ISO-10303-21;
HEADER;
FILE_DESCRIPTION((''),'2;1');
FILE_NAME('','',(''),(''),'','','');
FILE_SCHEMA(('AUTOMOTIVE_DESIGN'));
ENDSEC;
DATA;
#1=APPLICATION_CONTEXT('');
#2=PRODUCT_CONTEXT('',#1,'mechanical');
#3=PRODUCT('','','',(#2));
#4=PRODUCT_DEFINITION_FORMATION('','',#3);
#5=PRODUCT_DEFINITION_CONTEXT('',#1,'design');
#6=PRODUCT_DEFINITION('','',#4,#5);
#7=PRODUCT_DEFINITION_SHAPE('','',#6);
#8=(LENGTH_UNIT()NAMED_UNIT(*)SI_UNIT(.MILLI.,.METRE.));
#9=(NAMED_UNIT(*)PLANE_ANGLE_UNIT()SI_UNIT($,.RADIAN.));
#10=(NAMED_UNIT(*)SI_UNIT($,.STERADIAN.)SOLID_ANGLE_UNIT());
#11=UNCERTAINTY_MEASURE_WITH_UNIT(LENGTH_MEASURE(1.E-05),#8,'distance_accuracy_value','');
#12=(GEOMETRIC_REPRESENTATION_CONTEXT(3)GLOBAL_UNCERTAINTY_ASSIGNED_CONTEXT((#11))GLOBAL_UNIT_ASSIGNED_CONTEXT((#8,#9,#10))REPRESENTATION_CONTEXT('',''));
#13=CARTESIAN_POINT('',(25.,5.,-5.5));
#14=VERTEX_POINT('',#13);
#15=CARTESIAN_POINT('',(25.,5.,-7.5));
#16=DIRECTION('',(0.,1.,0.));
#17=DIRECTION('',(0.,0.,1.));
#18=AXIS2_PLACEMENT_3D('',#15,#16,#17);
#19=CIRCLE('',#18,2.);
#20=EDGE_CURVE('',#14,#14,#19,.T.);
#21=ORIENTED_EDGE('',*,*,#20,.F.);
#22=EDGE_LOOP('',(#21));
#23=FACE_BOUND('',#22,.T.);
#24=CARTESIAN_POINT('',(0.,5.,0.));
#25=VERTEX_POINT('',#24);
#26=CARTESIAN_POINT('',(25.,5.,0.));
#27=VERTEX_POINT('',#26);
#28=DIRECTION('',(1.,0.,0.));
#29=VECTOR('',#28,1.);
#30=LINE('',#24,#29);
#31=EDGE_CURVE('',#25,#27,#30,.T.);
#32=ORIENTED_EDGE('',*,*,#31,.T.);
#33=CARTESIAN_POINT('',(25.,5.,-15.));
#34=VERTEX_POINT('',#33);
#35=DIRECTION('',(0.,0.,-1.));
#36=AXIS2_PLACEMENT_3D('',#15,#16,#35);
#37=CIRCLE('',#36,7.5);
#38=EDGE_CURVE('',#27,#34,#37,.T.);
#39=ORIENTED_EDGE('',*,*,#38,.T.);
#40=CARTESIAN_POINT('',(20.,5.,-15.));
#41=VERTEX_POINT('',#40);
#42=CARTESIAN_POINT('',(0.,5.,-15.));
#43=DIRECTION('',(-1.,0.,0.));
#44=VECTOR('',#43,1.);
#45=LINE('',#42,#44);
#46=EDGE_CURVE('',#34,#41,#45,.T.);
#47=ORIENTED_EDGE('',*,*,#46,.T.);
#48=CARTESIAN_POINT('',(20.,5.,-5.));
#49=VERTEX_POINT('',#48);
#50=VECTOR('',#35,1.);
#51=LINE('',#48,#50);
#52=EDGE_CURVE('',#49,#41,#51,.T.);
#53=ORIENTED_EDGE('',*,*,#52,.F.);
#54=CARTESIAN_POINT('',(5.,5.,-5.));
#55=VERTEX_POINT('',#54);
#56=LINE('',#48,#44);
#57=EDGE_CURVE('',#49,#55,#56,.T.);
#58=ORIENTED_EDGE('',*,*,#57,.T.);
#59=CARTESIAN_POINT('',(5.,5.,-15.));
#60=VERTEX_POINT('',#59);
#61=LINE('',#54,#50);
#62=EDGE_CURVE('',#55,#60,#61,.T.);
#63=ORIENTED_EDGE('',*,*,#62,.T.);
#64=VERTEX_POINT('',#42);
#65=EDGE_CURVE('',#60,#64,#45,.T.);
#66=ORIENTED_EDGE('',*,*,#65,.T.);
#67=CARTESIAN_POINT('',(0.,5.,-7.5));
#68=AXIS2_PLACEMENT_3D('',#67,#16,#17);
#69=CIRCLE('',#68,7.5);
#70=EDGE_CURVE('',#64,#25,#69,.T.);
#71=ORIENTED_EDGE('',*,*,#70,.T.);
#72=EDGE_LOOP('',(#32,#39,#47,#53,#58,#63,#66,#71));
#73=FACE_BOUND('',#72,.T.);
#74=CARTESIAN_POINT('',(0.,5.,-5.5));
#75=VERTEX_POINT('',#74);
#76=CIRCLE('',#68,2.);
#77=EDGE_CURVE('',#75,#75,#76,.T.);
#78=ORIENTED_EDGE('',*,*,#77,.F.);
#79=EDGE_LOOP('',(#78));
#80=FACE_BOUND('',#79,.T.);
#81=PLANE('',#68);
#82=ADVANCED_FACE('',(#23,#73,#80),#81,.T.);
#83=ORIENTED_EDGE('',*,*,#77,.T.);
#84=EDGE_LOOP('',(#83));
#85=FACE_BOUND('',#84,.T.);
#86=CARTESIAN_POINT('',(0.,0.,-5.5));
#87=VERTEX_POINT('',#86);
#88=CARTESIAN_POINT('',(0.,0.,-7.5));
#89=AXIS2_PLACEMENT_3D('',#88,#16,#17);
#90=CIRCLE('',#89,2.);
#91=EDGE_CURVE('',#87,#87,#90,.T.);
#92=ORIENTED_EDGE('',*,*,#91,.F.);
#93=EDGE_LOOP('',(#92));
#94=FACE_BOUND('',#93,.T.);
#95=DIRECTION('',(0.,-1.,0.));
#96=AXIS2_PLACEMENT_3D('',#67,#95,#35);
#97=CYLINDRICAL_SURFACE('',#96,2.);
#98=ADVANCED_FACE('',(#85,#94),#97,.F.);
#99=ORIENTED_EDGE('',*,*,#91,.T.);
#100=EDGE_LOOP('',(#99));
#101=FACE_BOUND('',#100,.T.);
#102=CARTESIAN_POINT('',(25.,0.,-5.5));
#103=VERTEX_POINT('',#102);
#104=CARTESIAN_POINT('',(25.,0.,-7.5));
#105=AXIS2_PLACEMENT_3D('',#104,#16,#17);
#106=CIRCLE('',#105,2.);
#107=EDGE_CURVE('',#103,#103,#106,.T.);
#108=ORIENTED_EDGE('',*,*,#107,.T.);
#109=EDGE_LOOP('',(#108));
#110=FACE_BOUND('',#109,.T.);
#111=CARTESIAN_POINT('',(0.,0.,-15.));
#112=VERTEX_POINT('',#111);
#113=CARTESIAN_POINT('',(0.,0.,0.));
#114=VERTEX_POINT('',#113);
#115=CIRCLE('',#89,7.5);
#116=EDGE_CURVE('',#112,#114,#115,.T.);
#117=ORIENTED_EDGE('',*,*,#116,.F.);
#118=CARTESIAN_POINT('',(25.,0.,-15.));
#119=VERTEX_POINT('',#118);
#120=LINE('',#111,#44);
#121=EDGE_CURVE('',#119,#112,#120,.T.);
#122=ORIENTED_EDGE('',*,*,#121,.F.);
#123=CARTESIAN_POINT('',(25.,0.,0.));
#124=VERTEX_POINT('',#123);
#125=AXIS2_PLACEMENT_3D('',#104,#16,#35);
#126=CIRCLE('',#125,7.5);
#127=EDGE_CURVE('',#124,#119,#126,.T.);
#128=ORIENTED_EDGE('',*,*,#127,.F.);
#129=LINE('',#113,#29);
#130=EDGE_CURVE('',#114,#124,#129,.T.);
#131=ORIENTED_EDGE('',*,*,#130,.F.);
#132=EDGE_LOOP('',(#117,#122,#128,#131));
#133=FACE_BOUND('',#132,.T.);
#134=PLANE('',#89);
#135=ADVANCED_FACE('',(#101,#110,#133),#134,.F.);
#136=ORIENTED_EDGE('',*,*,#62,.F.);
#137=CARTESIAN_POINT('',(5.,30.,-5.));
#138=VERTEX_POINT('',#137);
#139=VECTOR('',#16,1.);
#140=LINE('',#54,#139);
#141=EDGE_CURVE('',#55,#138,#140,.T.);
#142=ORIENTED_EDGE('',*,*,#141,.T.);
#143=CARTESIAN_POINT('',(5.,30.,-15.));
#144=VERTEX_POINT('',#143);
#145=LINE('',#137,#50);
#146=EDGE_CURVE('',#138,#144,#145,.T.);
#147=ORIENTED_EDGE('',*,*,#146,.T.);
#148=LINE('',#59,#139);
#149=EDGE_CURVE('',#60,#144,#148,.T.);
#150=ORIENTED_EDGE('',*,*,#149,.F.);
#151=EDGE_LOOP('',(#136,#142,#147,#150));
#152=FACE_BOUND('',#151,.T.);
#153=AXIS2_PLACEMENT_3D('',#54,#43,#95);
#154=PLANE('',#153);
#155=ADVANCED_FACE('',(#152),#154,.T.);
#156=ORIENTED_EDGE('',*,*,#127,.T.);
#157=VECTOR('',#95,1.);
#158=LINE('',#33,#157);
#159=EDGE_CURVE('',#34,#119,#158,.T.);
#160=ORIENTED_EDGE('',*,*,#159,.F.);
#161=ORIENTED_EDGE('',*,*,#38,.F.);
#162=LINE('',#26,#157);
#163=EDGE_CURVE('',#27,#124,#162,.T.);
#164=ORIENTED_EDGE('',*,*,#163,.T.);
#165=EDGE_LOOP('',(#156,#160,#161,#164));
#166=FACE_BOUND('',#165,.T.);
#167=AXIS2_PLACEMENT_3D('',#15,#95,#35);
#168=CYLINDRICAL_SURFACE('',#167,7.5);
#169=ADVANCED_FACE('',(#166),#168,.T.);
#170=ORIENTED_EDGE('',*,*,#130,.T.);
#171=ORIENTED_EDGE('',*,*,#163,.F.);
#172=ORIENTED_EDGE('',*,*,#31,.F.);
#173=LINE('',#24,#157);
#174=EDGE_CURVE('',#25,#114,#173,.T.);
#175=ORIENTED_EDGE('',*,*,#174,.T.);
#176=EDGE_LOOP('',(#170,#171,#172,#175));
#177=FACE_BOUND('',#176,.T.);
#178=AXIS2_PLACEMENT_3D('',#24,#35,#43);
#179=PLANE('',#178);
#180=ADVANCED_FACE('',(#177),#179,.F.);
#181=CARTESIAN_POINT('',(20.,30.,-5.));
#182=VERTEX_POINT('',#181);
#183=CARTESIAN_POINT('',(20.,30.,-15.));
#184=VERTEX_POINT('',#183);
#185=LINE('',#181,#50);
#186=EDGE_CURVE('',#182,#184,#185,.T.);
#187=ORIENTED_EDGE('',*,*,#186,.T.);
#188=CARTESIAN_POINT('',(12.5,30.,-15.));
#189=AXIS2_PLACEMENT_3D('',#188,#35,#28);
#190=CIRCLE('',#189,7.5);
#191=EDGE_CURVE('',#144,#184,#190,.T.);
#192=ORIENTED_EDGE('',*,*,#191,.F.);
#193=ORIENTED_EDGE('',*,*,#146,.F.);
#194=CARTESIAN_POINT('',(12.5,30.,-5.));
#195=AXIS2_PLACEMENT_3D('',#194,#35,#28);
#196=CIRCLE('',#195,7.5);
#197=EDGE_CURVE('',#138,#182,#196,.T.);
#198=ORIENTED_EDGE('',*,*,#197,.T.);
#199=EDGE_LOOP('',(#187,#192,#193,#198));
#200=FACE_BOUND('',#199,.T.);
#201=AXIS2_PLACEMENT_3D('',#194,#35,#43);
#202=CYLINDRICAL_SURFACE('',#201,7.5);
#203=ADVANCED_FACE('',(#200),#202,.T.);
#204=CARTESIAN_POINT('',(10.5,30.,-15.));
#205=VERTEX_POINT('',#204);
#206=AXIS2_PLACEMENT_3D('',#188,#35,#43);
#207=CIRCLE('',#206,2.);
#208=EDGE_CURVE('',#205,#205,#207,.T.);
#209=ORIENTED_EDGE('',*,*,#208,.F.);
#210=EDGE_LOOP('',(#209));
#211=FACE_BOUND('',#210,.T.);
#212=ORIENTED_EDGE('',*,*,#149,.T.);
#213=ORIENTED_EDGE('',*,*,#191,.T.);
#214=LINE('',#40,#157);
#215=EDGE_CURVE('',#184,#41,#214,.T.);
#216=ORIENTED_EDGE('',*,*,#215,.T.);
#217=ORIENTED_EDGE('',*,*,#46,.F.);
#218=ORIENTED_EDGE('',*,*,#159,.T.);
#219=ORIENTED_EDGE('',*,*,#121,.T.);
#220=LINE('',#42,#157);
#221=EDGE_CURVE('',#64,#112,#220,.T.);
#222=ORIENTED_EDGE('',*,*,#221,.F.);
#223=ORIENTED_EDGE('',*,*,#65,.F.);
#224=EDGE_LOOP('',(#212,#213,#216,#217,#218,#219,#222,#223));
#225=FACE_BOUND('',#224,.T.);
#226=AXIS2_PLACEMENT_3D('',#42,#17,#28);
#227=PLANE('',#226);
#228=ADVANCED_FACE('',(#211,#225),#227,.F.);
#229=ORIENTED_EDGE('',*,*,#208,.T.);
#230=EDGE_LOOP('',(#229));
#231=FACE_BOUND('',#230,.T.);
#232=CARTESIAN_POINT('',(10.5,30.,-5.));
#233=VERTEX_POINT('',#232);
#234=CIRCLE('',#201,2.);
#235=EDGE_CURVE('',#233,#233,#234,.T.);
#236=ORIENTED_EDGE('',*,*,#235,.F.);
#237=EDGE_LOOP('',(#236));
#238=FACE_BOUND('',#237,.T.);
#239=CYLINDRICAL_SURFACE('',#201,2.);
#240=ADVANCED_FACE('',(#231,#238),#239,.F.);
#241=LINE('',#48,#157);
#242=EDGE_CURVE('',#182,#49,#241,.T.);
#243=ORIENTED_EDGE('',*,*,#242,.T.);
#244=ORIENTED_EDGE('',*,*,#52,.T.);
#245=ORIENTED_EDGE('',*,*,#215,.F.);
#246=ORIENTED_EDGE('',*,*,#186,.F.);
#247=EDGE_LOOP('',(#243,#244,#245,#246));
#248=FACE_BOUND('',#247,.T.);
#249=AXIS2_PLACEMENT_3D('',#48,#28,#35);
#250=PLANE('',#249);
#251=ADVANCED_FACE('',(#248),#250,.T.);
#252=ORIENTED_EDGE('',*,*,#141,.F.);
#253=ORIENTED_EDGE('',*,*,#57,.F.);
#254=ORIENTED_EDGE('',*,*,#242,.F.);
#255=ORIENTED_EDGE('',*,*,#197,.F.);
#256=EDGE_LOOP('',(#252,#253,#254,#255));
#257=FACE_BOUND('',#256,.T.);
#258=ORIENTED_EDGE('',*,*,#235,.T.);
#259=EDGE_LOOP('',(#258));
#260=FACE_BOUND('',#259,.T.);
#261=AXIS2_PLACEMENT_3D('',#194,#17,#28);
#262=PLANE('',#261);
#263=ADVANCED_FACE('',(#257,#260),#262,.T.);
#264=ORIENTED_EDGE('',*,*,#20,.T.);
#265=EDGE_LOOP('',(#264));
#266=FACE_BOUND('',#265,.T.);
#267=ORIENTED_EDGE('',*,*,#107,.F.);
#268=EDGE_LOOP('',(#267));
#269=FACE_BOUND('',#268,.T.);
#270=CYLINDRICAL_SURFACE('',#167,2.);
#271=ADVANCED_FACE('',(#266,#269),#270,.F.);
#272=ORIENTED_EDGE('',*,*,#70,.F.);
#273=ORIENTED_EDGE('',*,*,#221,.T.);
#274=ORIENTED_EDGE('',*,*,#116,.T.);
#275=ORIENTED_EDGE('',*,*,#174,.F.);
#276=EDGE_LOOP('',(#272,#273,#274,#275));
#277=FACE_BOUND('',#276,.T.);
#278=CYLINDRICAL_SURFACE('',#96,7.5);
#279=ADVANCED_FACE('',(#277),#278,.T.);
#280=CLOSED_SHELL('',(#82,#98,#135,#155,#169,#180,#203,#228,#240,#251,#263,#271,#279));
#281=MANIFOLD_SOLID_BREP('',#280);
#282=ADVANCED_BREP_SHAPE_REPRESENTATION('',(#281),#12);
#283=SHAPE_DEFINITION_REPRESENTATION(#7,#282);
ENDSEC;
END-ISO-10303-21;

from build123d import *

# Parameters (mm, degrees)
SKETCH1_R           = 2
BOSS_EXTRUDE1_DEPTH = 5
SKETCH3_R           = 2
BOSS_EXTRUDE2_DEPTH = 10


with BuildPart() as part:
    # Sketch1 → Boss-Extrude1 (new body)
    with BuildSketch(Plane(origin=(0, 0, 0), x_dir=(1, 0, 0), z_dir=(0, 1, 0))):
        with BuildLine():
            Line((0, 0), (25, 0))
            ThreePointArc((25, 0), (32.5, 7.5), (25, 15))
            Line((25, 15), (0, 15))
            ThreePointArc((0, 15), (-7.5, 7.5), (0, 0))
        make_face()
        with Locations((0, 7.5)):
            Circle(SKETCH1_R, mode=Mode.SUBTRACT)
        with Locations((25, 7.5)):
            Circle(SKETCH1_R, mode=Mode.SUBTRACT)
    extrude(amount=BOSS_EXTRUDE1_DEPTH)

    # Sketch3 → Boss-Extrude2 (add)
    with BuildSketch(Plane(origin=(0, 0, -15), x_dir=(-1, 0, 0), z_dir=(0, 0, -1))):
        with BuildLine():
            Line((-20, 5), (-5, 5))
            Line((-5, 5), (-5, 30))
            ThreePointArc((-5, 30), (-12.5, 37.5), (-20, 30))
            Line((-20, 30), (-20, 5))
        make_face()
        with Locations((-12.5, 30)):
            Circle(SKETCH3_R, mode=Mode.SUBTRACT)
    extrude(amount=-BOSS_EXTRUDE2_DEPTH)


solid = part.part
